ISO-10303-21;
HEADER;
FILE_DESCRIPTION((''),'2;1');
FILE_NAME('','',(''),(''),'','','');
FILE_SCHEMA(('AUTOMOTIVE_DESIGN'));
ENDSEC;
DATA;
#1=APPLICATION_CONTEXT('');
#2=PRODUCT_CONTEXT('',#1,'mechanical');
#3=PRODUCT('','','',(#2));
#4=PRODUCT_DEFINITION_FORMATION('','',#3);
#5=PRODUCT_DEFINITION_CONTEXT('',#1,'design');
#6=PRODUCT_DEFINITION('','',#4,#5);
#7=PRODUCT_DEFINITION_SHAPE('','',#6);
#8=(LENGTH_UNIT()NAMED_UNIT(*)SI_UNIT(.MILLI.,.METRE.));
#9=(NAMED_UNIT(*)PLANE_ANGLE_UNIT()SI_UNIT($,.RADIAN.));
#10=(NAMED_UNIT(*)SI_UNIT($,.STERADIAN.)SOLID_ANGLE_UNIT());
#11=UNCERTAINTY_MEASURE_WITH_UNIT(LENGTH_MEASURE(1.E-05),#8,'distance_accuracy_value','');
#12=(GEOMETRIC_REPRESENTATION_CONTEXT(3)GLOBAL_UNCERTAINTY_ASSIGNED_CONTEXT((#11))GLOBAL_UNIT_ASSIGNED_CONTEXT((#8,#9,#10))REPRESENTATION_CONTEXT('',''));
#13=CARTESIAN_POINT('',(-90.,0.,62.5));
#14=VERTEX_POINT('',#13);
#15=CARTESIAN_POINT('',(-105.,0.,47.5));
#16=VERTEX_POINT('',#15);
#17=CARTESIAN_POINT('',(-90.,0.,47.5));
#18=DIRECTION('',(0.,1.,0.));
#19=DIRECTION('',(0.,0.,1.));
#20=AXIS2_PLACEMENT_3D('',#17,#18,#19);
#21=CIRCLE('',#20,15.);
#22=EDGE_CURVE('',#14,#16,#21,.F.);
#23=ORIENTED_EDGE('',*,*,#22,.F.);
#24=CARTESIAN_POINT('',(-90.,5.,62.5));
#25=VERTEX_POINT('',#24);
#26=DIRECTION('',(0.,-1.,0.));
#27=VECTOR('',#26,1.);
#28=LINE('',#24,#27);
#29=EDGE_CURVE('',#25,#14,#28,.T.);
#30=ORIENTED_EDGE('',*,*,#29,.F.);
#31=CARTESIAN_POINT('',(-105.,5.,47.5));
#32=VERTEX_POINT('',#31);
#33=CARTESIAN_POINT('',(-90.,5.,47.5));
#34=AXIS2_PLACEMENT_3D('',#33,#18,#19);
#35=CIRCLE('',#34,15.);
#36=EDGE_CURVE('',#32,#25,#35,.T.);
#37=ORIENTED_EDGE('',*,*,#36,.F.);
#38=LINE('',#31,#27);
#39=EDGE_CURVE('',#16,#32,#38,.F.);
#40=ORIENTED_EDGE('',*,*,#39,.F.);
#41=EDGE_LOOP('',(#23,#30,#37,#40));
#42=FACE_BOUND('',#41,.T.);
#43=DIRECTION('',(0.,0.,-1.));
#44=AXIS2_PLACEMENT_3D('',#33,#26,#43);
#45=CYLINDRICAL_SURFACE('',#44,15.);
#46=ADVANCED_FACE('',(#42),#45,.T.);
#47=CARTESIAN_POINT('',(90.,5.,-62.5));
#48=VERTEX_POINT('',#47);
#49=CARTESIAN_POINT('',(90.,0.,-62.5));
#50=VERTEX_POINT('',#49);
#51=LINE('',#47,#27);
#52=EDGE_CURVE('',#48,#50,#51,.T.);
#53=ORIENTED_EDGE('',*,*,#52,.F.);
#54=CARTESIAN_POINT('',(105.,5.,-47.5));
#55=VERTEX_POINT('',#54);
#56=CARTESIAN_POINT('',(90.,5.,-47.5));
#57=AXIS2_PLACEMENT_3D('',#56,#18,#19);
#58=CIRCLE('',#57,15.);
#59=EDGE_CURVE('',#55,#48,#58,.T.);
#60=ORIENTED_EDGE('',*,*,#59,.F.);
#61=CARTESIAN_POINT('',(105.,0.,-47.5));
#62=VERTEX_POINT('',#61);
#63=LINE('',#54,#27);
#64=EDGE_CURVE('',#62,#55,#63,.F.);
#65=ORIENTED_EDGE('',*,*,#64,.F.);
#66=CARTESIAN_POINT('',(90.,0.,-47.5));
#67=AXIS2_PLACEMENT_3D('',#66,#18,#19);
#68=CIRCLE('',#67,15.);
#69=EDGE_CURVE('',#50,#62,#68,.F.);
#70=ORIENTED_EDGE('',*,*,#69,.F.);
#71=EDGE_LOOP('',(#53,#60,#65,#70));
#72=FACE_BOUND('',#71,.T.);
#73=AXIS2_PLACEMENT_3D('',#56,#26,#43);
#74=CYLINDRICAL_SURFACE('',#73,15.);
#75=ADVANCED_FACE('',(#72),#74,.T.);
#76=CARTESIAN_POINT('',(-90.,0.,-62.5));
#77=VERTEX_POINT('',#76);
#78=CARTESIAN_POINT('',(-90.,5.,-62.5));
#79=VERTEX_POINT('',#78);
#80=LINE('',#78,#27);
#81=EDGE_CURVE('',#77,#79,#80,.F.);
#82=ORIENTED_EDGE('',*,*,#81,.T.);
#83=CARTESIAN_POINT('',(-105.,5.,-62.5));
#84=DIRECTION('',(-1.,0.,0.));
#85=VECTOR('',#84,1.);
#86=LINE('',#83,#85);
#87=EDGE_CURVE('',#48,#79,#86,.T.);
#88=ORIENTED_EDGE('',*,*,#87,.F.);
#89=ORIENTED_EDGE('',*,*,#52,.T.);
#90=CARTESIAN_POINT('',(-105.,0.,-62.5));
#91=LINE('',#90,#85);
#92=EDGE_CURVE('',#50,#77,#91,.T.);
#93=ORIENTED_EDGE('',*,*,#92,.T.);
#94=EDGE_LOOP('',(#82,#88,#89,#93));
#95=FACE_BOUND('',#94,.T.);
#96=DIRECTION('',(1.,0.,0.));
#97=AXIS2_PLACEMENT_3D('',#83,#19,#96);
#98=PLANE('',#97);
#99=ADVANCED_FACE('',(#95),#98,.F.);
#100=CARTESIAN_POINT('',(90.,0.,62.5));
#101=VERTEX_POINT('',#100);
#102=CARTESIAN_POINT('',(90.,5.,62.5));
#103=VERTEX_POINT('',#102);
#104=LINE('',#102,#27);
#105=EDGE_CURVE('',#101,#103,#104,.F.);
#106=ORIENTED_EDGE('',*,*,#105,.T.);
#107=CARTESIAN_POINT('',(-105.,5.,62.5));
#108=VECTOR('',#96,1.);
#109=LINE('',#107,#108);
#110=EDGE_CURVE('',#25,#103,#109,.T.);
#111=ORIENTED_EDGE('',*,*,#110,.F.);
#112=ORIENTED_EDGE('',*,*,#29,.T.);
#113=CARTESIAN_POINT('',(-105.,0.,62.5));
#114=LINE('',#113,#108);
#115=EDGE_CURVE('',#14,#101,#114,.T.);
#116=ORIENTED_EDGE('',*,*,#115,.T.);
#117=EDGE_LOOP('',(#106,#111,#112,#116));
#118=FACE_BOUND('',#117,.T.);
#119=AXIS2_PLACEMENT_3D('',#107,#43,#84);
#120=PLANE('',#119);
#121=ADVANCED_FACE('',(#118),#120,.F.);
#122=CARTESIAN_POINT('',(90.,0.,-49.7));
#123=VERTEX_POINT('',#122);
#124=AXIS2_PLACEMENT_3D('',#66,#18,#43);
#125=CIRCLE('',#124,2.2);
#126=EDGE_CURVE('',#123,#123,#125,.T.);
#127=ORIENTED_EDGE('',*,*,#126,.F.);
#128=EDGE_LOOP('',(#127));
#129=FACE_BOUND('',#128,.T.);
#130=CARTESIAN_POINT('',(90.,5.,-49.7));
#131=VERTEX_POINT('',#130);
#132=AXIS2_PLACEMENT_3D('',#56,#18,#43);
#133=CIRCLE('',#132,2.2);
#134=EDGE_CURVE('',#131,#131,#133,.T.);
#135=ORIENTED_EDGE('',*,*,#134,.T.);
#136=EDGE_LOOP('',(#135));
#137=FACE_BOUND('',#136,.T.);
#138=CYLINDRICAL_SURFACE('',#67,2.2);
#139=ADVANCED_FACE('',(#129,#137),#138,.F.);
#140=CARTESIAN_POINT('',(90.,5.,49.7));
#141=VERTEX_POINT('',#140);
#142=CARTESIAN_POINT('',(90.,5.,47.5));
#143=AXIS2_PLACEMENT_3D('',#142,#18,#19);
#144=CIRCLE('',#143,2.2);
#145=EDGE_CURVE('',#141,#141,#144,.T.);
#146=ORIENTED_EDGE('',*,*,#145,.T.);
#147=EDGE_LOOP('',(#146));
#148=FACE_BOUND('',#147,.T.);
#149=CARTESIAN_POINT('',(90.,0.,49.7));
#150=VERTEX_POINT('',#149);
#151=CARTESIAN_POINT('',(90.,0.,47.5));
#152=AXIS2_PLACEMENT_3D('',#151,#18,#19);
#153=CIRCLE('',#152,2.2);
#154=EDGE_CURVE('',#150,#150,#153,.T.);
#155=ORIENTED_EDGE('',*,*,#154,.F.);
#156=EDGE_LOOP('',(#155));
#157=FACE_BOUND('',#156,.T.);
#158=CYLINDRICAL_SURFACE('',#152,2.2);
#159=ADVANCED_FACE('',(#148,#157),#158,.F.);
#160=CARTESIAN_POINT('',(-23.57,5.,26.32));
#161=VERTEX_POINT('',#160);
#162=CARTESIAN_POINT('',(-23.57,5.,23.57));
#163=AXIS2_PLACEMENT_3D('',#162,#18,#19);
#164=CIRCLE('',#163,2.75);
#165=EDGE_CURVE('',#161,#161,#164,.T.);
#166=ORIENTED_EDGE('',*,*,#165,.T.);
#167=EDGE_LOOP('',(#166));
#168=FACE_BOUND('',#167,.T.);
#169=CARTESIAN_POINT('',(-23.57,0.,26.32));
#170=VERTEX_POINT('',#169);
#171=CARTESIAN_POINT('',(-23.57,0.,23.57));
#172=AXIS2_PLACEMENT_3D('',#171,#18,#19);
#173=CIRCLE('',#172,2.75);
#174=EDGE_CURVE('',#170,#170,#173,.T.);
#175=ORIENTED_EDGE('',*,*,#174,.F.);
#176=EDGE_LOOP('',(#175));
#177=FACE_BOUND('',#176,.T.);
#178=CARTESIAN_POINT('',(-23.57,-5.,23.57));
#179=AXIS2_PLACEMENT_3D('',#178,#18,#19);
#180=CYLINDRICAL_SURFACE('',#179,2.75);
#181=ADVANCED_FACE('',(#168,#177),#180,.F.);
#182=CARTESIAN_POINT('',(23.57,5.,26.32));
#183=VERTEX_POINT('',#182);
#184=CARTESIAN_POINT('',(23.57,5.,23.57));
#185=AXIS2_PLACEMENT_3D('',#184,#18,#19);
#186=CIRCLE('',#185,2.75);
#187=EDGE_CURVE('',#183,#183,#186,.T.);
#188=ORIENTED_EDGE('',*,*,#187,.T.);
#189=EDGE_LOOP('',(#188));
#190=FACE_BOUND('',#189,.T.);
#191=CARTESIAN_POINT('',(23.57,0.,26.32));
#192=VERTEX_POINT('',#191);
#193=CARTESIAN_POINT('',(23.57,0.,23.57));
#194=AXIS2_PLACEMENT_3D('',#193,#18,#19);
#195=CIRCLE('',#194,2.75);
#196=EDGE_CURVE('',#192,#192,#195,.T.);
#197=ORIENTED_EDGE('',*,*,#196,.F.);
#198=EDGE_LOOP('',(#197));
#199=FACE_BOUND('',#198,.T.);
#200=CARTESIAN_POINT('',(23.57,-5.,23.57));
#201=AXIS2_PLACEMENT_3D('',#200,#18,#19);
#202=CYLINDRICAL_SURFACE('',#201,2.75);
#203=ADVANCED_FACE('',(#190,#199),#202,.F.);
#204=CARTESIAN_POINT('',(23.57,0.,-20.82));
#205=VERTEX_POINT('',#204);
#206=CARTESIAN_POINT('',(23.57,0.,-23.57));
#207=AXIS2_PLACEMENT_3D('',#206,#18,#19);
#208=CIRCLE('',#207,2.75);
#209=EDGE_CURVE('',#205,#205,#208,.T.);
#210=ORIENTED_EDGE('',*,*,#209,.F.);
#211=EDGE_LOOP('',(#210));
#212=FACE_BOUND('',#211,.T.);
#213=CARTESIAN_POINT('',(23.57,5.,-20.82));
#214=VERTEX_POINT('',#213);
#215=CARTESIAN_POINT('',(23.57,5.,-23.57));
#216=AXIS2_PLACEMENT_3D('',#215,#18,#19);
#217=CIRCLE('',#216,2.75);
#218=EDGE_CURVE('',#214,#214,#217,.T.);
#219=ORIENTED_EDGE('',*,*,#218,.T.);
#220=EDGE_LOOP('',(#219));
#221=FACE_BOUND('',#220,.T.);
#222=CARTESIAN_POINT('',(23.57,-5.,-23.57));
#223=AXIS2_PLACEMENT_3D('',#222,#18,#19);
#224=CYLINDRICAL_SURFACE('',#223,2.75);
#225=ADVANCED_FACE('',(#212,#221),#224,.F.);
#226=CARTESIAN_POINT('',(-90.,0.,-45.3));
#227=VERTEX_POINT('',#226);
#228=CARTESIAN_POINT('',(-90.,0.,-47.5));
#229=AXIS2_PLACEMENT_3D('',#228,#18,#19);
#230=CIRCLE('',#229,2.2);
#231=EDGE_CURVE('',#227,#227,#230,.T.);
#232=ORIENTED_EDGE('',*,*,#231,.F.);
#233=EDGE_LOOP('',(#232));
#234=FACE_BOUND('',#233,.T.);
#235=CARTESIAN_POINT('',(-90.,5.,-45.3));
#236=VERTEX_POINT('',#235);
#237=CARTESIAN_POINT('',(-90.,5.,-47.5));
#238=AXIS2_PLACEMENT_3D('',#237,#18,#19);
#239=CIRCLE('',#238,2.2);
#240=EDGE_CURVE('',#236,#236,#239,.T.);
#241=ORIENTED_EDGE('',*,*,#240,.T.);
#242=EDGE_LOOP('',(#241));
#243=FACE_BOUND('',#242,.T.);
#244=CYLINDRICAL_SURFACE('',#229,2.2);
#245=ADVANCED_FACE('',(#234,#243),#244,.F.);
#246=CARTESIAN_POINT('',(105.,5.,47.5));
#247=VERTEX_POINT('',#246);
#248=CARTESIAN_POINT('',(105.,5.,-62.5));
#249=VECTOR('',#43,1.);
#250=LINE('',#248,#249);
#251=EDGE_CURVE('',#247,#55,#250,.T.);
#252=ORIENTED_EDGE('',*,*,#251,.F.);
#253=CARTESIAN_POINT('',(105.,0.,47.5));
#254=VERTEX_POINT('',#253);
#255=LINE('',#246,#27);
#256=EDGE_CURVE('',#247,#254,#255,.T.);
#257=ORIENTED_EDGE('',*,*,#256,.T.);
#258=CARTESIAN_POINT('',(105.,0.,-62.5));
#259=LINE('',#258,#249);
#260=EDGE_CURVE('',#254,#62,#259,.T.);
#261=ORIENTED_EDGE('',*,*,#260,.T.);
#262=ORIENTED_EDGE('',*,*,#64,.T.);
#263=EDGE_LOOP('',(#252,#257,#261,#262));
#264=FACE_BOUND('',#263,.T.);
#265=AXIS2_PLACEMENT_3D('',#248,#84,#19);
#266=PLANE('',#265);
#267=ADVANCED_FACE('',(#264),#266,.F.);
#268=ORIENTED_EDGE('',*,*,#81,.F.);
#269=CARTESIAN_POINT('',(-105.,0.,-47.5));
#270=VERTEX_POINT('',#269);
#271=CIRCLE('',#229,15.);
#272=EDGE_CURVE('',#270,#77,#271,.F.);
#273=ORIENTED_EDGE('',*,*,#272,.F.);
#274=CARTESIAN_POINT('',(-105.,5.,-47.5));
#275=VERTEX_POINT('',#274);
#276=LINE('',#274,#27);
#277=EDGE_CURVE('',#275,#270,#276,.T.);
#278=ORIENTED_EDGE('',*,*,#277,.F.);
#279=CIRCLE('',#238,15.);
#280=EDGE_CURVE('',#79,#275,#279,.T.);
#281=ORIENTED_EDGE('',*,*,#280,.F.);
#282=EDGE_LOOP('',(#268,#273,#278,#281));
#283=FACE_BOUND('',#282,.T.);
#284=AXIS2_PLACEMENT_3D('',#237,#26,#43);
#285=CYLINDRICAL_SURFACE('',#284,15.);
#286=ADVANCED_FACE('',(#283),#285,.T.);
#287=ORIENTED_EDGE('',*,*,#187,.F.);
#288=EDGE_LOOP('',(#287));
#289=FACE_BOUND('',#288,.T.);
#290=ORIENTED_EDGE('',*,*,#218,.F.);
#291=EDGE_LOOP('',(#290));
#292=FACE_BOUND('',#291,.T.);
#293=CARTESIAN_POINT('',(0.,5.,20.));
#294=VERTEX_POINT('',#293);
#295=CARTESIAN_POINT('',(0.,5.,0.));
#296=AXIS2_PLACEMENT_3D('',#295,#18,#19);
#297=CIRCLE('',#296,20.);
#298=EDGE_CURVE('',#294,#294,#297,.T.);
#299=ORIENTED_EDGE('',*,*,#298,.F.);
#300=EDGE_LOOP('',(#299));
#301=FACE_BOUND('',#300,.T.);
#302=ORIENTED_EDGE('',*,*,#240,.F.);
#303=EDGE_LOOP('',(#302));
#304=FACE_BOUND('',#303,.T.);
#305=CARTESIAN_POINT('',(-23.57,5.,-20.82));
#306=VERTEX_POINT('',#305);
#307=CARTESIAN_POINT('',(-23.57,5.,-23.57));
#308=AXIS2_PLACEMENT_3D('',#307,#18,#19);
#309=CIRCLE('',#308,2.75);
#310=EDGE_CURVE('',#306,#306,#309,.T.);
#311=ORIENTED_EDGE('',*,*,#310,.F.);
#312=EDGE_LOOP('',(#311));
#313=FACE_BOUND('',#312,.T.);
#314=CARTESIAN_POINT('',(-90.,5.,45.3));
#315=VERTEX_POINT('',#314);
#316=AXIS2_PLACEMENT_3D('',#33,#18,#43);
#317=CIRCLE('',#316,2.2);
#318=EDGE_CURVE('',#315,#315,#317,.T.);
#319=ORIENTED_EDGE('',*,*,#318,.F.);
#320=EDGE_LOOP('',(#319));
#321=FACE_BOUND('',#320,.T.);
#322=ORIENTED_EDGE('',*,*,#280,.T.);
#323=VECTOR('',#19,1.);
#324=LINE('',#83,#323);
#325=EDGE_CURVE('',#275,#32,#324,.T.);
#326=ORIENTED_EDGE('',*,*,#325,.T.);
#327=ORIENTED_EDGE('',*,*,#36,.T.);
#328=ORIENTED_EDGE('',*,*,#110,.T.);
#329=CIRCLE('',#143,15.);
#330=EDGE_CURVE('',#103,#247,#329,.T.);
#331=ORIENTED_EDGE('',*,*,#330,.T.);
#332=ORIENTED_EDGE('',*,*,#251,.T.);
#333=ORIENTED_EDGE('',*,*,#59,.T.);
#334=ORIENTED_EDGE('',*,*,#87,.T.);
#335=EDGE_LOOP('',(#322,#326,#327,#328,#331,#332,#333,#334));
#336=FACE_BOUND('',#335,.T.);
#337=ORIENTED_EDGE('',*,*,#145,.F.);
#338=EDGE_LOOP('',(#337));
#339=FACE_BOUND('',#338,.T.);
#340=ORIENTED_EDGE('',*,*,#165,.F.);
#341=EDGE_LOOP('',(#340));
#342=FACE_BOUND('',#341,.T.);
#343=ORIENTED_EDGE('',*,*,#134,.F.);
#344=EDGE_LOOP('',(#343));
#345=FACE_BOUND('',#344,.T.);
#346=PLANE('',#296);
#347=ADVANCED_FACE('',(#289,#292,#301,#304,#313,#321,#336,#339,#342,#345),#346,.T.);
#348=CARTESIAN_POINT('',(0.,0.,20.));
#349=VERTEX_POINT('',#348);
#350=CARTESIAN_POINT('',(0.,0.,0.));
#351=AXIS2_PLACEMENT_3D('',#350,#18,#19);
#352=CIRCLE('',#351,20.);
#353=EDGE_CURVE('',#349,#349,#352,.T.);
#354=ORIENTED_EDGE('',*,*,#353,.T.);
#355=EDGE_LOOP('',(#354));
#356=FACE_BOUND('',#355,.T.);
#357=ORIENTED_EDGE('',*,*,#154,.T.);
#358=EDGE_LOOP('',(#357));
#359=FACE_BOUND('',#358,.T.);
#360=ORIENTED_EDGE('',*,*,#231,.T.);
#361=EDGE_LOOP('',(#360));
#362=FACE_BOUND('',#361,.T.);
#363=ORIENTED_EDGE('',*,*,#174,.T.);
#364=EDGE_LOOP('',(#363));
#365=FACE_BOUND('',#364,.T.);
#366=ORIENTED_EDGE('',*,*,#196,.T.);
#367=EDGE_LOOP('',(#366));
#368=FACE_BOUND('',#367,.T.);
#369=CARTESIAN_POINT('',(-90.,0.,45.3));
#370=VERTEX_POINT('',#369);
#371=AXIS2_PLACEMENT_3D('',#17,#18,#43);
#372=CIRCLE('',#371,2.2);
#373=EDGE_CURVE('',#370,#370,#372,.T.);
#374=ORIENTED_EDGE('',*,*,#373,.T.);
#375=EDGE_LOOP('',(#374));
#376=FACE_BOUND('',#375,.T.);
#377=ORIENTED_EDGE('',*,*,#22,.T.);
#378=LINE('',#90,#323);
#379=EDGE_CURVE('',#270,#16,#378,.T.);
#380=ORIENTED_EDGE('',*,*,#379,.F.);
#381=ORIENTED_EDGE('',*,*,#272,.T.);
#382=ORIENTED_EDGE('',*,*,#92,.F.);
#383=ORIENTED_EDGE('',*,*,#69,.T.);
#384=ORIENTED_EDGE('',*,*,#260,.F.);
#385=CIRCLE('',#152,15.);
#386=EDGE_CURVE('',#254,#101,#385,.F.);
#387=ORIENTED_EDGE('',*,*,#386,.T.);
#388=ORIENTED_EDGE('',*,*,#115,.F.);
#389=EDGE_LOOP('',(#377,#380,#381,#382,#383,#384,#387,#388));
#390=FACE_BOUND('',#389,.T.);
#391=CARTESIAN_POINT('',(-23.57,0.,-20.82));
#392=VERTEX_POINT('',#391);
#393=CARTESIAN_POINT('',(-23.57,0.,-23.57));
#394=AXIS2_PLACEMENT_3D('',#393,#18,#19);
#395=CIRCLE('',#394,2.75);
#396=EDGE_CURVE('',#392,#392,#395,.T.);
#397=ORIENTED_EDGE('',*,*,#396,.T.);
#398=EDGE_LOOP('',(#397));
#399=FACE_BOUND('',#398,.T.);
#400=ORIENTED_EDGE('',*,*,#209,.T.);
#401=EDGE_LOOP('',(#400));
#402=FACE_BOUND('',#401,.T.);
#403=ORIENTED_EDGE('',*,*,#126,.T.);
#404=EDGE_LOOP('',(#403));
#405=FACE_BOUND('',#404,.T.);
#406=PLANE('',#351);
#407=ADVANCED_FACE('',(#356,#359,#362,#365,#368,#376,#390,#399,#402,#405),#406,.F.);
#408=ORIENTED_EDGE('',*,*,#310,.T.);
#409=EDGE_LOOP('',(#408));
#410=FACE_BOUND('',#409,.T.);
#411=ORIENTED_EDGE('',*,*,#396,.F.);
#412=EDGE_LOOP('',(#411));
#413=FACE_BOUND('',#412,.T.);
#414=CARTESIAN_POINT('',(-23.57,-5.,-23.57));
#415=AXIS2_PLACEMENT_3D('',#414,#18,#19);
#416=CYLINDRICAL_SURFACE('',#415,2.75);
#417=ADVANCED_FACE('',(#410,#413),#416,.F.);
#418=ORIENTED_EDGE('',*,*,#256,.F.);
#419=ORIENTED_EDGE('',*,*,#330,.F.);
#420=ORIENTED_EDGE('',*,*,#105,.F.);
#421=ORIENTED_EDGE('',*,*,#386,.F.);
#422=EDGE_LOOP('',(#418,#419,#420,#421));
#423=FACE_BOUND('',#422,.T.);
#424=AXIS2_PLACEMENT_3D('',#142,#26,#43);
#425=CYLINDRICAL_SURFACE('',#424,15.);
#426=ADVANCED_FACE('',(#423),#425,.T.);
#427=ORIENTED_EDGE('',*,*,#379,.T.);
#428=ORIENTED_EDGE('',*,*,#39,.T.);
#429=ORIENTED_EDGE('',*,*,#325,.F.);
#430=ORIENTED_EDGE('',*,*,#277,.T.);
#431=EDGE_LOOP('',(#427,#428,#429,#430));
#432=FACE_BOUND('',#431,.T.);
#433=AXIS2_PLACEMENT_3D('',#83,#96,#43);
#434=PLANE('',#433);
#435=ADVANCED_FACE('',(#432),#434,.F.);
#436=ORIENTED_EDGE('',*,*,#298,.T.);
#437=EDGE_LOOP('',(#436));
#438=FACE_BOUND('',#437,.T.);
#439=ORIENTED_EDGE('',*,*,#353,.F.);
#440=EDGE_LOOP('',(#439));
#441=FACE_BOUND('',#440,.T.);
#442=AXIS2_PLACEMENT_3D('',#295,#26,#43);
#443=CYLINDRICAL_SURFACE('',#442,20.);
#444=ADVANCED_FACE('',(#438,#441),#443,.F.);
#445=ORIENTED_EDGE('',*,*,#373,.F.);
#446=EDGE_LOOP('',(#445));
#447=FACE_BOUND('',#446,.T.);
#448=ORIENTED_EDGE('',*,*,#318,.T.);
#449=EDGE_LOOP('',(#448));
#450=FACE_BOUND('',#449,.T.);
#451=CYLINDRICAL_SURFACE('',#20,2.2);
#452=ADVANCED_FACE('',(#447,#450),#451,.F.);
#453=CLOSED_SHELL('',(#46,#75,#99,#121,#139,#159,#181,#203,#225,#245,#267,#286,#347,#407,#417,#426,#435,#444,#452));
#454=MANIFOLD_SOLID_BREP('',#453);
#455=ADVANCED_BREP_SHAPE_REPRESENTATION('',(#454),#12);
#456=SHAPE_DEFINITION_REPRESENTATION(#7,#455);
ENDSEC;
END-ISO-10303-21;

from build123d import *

# Parameters (mm, degrees)
SKETCH_1_R          = 60
SKETCH_1_R_2        = 20
EXTRUDE_1_DEPTH     = 5
SKETCH_4_W          = 210
SKETCH_4_H          = 125
SKETCH_4_R          = 60
EXTRUDE_2_DEPTH     = 5
SKETCH_5_R          = 2.2
CUT_EXTRUDE_2_DEPTH = 5
FILLET_1_R          = 15
SKETCH_2_R          = 2.75
CUT_EXTRUDE_3_DEPTH = 10


with BuildPart() as part:
    # 草图1 → 凸台-拉伸1 (new body)
    with BuildSketch(Plane(origin=(0, 0, 0), x_dir=(1, 0, 0), z_dir=(0, 1, 0))):
        with Locations(Location((0, 0, 0), (0, 0, 270))):
            Circle(SKETCH_1_R)
        with Locations(Location((0, 0, 0), (0, 0, 270))):
            Circle(SKETCH_1_R_2, mode=Mode.SUBTRACT)
    extrude(amount=EXTRUDE_1_DEPTH)

    # 草图4 → 凸台-拉伸2 (add)
    with BuildSketch(Plane(origin=(0, 0, 0), x_dir=(1, 0, 0), z_dir=(0, 1, 0))):
        Rectangle(SKETCH_4_W, SKETCH_4_H)
        Circle(SKETCH_4_R, mode=Mode.SUBTRACT)
    extrude(amount=EXTRUDE_2_DEPTH)

    # 草图5 → 切除-拉伸2 (cut)
    with BuildSketch(Plane(origin=(0, 5, 0), x_dir=(1, 0, 0), z_dir=(0, 1, 0))):
        with Locations(Location((-90, 47.5, 0), (0, 0, 270))):
            Circle(SKETCH_5_R)
        with Locations(Location((90, 47.5, 0), (0, 0, 90))):
            Circle(SKETCH_5_R)
        with Locations(Location((90, -47.5, 0), (0, 0, 270))):
            Circle(SKETCH_5_R)
        with Locations(Location((-90, -47.5, 0), (0, 0, 90))):
            Circle(SKETCH_5_R)
    extrude(amount=-CUT_EXTRUDE_2_DEPTH, mode=Mode.SUBTRACT)

    # 圆角1
    fillet_1_edges = [part.edges().sort_by_distance(p)[0] for p in [
        (-105, 2.5, -62.5),
        (-105, 2.5, 62.5),
        (105, 2.5, 62.5),
        (105, 2.5, -62.5),
    ]]
    fillet(fillet_1_edges, radius=FILLET_1_R)

    # 草图2 → 切除-拉伸3 (cut)
    with BuildSketch(Plane(origin=(0, 5, 0), x_dir=(1, 0, 0), z_dir=(0, 1, 0))):
        with Locations(Location((-23.57, 23.57, 0), (0, 0, 270))):
            Circle(SKETCH_2_R)
        with Locations(Location((23.57, 23.57, 0), (0, 0, 270))):
            Circle(SKETCH_2_R)
        with Locations(Location((23.57, -23.57, 0), (0, 0, 270))):
            Circle(SKETCH_2_R)
        with Locations(Location((-23.57, -23.57, 0), (0, 0, 270))):
            Circle(SKETCH_2_R)
    extrude(amount=-CUT_EXTRUDE_3_DEPTH, mode=Mode.SUBTRACT)


solid = part.part
